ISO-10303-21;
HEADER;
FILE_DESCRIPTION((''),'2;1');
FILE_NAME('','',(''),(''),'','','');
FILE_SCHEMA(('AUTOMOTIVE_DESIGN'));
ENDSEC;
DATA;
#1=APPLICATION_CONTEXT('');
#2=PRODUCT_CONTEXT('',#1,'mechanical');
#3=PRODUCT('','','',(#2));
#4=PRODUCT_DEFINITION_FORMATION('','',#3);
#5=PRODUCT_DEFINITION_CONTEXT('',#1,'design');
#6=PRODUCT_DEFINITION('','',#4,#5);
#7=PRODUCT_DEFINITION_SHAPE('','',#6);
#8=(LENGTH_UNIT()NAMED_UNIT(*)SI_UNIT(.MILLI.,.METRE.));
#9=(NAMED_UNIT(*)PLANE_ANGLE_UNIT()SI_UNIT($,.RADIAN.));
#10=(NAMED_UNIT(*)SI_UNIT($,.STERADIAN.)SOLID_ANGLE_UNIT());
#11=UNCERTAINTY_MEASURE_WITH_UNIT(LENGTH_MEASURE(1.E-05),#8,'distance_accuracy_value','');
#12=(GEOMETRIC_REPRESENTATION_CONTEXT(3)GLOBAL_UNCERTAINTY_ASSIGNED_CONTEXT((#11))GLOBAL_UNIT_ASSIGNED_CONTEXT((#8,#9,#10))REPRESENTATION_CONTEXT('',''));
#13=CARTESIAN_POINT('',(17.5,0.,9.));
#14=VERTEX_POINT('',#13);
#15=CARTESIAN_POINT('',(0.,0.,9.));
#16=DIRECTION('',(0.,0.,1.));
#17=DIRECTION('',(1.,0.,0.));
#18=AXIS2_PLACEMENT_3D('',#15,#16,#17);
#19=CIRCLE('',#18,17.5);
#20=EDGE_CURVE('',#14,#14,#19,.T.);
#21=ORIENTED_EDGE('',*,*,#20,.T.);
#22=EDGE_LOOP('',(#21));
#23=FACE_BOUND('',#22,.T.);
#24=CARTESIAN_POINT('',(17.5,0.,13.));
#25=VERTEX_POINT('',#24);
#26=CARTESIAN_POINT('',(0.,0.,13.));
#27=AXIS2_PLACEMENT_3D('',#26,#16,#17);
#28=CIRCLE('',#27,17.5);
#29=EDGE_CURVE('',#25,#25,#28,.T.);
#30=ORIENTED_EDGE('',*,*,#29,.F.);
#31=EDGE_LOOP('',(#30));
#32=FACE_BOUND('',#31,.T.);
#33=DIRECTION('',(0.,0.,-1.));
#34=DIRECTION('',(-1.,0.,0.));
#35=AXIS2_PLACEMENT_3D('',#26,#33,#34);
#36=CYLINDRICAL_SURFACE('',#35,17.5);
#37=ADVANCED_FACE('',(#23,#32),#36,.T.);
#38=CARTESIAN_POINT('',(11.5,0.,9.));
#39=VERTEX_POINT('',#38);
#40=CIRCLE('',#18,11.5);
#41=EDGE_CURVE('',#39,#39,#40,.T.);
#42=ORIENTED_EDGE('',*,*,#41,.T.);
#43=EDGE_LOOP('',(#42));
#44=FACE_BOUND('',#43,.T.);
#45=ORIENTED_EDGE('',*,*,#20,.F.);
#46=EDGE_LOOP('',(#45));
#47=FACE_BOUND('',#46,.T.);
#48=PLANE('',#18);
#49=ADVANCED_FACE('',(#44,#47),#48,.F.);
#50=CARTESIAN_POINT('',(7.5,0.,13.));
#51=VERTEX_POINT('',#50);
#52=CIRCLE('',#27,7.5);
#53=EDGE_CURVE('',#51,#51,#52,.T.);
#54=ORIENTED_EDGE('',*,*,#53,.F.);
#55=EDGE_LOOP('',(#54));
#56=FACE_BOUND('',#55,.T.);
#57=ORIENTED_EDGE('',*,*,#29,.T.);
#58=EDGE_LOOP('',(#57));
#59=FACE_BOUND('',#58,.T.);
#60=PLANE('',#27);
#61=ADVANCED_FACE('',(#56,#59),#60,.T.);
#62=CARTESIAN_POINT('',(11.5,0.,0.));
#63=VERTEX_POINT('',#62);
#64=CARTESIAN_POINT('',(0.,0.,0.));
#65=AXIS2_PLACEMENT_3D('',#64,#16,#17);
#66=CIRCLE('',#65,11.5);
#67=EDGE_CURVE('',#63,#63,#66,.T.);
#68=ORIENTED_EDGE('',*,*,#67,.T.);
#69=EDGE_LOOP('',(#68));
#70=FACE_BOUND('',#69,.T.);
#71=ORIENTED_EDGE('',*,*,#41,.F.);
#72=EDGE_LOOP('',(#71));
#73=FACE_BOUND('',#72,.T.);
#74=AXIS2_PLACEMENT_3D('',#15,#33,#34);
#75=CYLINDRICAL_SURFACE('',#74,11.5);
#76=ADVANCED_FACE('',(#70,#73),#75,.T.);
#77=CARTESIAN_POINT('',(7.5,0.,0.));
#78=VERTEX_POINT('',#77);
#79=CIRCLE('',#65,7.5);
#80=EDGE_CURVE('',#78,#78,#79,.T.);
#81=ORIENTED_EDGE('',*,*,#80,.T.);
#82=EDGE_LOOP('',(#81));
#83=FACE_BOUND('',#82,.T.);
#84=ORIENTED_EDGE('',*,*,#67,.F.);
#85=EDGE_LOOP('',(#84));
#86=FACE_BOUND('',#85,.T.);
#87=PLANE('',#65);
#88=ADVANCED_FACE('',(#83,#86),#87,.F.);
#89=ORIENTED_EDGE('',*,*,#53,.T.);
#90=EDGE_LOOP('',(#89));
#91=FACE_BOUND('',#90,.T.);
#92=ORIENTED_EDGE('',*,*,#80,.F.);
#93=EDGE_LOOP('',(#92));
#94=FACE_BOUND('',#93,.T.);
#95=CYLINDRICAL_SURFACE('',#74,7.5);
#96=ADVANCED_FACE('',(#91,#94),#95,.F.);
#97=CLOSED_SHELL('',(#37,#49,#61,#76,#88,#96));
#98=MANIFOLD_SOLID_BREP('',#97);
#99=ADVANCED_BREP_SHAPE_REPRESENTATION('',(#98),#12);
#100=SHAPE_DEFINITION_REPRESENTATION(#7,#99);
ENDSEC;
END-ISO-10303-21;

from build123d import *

# Parameters (mm, degrees)
CROQUIS1_R              = 11.5
CROQUIS1_R_2            = 7.5
SALIENTE_EXTRUIR1_DEPTH = 9
CROQUIS2_R              = 17.5
CROQUIS2_R_2            = 7.5
SALIENTE_EXTRUIR2_DEPTH = 4


with BuildPart() as part:
    # Croquis1 → Saliente-Extruir1 (new body)
    with BuildSketch(Plane.XY):
        Circle(CROQUIS1_R)
        Circle(CROQUIS1_R_2, mode=Mode.SUBTRACT)
    extrude(amount=SALIENTE_EXTRUIR1_DEPTH)

    # Croquis2 → Saliente-Extruir2 (add)
    with BuildSketch(Plane.XY.offset(9)):
        Circle(CROQUIS2_R)
        Circle(CROQUIS2_R_2, mode=Mode.SUBTRACT)
    extrude(amount=SALIENTE_EXTRUIR2_DEPTH)


solid = part.part
